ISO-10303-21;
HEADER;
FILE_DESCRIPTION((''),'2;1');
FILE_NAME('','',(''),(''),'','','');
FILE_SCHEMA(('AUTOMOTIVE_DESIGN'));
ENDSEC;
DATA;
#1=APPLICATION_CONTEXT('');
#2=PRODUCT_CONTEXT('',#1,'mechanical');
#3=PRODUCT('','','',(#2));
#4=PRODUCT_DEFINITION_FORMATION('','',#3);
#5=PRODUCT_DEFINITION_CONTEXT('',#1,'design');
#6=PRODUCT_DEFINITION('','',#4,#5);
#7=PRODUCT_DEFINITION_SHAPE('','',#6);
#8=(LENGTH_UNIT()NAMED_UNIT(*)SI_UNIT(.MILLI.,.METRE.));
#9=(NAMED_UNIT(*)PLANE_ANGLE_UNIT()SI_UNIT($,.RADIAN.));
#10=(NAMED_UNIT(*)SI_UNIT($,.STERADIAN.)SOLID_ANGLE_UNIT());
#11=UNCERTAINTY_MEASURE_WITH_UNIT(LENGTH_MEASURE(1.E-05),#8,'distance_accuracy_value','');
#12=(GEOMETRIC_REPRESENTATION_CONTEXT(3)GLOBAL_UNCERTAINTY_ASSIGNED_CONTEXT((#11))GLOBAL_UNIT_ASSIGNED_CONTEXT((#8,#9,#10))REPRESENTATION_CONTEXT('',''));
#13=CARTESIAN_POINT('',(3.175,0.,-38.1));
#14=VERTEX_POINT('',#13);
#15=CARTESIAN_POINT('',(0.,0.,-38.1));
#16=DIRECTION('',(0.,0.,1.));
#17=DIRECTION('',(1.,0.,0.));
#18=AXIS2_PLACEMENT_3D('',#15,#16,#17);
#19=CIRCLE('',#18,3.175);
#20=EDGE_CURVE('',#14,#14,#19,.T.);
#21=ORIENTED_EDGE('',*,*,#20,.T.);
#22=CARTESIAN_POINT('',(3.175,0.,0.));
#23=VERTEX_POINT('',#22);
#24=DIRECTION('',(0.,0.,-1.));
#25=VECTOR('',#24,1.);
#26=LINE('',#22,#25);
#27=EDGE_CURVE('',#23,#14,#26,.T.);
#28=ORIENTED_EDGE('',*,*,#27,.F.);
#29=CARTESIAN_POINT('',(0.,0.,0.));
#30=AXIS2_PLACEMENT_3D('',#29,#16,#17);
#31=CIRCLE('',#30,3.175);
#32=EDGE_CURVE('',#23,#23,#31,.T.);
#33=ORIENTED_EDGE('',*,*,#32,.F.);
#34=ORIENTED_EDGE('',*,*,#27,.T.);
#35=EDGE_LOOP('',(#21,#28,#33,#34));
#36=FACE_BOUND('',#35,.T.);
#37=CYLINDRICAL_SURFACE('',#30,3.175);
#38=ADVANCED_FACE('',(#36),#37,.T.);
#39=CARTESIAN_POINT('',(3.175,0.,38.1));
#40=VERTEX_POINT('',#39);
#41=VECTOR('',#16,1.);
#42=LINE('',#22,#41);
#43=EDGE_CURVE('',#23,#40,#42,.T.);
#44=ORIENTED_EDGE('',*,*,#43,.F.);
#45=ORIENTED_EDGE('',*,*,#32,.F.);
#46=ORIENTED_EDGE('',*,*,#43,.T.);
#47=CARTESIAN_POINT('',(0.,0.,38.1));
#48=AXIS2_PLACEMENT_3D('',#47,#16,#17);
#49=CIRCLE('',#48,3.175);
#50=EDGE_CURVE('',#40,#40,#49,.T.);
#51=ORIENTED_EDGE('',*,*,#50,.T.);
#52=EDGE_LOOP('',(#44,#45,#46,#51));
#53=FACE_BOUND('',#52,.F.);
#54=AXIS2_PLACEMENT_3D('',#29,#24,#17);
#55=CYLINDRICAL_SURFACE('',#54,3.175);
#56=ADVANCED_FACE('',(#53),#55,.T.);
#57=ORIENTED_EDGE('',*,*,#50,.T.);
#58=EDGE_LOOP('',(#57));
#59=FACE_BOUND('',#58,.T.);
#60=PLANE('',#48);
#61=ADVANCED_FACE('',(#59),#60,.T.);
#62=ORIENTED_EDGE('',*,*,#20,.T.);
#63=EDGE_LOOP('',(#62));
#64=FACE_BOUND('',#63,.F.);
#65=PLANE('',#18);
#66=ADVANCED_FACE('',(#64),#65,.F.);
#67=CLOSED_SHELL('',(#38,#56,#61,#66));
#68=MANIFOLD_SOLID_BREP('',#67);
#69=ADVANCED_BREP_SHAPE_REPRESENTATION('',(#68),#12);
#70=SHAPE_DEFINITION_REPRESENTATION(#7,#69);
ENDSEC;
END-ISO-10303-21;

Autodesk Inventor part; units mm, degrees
ref_plane "YZ Plane" through (0, 0, 0) normal (1, 0, 0) x (0, 1, 0)
ref_plane "XZ Plane" through (0, 0, 0) normal (0, 1, 0) x (-1, 0, 0)
ref_plane "XY Plane" through (0, 0, 0) normal (0, 0, 1) x (1, 0, 0)
sketch "Sketch1" plane through (0, 0, 0) normal (0, 0, 1) x (1, 0, 0)
  circle A0 centre (0, 0) radius 3.175
  dimension "d2" = 6.35
extrude "Extrusion1" add sketch "Sketch1" along normal mid plane 76.2
equation "\"d2\" = catapultAxelDiam"
equation "\"d0\" = catapultAxelLength"
equation "\"catapultAxelDiam\" = 6.35"
equation "\"catapultAxelLength\" = 76.2"
properties part number "CatapultAxel"
